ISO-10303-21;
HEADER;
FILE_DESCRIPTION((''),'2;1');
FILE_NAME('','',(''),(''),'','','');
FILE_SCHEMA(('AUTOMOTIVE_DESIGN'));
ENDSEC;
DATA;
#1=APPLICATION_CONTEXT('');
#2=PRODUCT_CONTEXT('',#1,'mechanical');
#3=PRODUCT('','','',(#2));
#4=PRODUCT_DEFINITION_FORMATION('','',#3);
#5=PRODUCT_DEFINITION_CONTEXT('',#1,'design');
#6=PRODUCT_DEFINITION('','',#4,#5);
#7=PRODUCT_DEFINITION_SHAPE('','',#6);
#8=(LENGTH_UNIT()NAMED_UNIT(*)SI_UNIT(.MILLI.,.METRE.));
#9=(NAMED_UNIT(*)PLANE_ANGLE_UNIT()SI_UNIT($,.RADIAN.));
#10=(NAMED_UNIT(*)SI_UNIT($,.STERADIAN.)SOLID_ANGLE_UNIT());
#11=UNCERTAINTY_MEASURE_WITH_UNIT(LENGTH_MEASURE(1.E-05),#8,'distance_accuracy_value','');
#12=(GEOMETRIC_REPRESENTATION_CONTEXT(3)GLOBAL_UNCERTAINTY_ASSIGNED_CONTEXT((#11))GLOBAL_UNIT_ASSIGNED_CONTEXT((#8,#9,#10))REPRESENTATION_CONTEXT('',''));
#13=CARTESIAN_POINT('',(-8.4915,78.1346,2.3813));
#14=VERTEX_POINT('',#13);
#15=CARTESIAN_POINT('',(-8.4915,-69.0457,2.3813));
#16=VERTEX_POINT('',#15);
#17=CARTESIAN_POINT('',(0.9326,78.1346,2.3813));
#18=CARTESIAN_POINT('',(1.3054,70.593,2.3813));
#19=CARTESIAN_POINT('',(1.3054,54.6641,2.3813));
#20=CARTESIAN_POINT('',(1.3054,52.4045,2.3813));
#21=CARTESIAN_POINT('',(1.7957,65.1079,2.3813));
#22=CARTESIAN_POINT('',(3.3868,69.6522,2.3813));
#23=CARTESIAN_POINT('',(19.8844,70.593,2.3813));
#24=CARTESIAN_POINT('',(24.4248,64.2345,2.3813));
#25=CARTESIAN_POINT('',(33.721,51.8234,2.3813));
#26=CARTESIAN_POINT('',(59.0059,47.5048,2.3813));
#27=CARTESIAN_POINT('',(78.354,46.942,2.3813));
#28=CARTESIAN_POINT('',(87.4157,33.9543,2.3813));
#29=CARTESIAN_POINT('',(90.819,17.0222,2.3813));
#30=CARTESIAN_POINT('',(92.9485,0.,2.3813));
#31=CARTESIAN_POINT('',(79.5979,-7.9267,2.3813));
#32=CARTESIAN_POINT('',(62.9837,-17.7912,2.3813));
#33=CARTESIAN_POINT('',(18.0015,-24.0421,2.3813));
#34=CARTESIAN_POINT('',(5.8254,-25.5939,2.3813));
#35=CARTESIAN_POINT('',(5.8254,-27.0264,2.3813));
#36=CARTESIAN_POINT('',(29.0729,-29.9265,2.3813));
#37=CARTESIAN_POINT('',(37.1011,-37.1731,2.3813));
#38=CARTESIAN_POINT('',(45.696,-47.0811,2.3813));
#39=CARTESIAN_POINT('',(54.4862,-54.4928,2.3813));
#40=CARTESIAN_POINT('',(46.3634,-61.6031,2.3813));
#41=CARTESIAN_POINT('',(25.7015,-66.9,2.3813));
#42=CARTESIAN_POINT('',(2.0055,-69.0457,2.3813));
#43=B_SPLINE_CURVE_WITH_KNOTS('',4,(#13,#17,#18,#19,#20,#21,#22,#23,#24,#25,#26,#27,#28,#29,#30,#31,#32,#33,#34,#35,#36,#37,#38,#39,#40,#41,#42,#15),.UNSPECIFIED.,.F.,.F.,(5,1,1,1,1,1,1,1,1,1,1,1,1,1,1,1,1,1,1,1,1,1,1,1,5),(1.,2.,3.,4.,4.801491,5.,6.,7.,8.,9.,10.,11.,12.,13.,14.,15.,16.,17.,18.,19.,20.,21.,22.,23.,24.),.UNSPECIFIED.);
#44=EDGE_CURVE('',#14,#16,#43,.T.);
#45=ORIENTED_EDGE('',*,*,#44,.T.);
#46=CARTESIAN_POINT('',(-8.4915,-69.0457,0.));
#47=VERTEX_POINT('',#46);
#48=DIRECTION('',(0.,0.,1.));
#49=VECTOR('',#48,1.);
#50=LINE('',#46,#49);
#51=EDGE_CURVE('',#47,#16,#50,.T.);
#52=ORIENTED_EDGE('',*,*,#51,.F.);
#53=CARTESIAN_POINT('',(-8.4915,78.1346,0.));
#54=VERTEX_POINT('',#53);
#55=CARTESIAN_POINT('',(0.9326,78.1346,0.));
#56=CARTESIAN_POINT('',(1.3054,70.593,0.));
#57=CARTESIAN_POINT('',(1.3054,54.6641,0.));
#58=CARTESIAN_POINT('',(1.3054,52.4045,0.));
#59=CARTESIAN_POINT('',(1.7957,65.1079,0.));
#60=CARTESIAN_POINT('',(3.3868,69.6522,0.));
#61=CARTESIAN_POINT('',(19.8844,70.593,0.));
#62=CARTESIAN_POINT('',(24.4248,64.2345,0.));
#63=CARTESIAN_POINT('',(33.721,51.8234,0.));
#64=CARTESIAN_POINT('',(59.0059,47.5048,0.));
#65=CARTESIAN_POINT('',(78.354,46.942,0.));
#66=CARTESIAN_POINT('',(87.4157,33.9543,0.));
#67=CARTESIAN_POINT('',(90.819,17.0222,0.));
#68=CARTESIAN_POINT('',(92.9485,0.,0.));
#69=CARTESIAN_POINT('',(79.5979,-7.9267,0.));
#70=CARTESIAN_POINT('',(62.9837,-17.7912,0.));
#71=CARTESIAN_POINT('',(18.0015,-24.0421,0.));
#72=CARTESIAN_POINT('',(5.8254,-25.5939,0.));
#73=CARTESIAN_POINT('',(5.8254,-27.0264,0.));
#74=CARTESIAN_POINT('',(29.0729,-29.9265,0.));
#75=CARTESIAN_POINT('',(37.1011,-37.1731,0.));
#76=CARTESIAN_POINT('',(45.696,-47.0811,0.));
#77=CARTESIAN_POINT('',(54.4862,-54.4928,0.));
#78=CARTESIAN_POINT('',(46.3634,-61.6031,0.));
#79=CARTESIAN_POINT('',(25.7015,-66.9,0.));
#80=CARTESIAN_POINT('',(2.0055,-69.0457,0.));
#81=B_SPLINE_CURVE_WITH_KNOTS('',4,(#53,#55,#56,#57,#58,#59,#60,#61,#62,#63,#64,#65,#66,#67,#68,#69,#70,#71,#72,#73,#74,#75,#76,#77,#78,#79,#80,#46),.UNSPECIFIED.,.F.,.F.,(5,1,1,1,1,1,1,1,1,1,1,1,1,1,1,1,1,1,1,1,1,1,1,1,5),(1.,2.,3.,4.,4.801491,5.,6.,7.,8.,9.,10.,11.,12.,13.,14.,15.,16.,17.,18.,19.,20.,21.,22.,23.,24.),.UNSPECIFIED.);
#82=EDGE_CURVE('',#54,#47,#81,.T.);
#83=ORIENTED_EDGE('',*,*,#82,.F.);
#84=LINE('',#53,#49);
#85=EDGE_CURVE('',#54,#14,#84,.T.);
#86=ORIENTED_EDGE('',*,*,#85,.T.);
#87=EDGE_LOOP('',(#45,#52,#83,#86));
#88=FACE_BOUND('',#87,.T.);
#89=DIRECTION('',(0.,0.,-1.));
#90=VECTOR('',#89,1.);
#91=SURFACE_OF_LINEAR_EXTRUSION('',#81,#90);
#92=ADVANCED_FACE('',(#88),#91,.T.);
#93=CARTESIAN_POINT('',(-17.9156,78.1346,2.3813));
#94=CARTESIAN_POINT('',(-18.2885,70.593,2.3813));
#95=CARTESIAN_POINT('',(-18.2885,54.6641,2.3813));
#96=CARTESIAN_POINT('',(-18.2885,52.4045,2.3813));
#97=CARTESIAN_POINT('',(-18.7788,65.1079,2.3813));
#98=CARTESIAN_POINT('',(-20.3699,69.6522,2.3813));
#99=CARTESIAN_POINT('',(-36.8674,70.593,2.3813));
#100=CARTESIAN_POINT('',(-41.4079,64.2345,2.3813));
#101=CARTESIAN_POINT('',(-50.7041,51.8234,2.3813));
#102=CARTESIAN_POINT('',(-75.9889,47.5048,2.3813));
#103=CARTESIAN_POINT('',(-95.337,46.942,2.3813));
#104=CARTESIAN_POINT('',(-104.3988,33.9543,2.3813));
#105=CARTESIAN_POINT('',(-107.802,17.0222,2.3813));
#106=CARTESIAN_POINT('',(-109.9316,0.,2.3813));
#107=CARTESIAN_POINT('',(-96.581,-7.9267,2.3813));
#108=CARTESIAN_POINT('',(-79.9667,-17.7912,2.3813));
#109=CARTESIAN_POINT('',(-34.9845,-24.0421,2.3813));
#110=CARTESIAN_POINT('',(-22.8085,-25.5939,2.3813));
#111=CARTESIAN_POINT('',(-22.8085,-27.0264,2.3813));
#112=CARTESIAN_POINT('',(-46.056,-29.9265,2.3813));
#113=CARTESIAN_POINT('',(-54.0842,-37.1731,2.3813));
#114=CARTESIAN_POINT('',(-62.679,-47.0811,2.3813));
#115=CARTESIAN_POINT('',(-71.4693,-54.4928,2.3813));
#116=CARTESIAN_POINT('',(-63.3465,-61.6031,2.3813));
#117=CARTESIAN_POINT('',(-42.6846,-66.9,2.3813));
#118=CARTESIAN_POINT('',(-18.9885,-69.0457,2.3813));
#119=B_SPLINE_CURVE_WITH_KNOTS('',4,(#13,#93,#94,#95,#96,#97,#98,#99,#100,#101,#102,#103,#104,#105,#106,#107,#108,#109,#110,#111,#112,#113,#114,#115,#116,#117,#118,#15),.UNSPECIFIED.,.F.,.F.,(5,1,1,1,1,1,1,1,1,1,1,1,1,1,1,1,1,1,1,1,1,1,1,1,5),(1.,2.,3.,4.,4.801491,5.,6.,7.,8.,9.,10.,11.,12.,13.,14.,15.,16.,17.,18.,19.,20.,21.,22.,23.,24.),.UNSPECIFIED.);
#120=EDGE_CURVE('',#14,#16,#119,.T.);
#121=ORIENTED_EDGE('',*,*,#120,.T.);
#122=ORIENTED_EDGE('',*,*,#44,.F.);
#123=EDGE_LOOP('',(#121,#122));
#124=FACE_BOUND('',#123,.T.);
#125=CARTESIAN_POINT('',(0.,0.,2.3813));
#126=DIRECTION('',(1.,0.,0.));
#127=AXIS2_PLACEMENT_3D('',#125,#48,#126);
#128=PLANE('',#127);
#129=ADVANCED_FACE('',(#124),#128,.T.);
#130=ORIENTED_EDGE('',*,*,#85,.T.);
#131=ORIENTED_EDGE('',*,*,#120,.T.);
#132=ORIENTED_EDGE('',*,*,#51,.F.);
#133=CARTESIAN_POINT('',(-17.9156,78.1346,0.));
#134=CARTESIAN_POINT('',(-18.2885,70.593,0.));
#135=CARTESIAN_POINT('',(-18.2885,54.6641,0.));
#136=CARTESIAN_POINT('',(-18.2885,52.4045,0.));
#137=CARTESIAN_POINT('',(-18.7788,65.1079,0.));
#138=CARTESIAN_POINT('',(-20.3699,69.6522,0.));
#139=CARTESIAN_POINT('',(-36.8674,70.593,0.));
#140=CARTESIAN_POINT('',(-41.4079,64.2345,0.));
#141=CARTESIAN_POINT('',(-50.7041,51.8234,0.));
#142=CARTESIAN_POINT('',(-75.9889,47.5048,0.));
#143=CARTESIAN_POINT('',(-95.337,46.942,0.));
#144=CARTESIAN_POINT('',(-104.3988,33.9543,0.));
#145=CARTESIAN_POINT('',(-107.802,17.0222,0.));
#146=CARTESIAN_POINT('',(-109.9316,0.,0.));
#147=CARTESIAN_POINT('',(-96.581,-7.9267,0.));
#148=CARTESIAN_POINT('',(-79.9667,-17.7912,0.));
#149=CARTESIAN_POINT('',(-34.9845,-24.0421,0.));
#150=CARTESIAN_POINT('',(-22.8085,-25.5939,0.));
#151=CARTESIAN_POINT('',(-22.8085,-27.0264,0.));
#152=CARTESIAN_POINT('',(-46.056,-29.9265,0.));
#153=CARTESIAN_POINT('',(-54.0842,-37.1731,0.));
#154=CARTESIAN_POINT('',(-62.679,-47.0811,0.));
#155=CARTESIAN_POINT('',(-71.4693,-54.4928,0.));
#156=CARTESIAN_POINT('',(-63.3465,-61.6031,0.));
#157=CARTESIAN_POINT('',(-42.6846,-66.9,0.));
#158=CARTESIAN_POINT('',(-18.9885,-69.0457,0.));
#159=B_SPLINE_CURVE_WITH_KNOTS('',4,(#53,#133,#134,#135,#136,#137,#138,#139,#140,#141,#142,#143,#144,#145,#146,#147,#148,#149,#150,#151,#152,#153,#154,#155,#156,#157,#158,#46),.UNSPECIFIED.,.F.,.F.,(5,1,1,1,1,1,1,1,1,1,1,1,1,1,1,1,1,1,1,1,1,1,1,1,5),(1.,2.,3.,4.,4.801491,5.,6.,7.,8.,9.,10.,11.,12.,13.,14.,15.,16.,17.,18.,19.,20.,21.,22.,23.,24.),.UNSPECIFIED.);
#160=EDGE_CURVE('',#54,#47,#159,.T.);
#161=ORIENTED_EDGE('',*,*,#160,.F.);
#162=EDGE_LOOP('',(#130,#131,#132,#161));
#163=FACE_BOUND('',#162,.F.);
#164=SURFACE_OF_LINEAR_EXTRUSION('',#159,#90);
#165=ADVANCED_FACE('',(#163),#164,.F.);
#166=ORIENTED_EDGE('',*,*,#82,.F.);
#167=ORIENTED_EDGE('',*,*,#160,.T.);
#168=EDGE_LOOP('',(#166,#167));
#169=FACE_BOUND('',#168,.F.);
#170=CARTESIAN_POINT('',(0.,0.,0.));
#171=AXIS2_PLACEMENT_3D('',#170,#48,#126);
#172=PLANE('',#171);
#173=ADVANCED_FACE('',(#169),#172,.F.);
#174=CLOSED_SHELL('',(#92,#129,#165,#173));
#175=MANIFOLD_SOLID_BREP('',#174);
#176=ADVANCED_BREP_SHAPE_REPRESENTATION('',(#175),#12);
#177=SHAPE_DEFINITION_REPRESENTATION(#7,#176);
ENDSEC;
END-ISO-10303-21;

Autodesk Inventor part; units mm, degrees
ref_plane "YZ Plane" through (0, 0, 0) normal (1, 0, 0) x (0, 1, 0)
ref_plane "XZ Plane" through (0, 0, 0) normal (0, 1, 0) x (-1, 0, 0)
ref_plane "XY Plane" through (0, 0, 0) normal (0, 0, 1) x (1, 0, 0)
sketch "Sketch1" plane through (0, 0, 0) normal (0, 0, 1) x (1, 0, 0)
  line L0 (-8.4915, 78.1346) -> (0.9326, 78.1346) construction
  line L1 (0.9326, 78.1346) -> (1.3054, 70.593) construction
  line L2 (1.3054, 70.593) -> (1.3054, 54.6641) construction
  line L3 (1.3054, 54.6641) -> (1.3054, 52.4045) construction
  line L4 (19.8844, 70.593) -> (24.4248, 64.2345) construction
  line L5 (24.4248, 64.2345) -> (33.721, 51.8234) construction
  line L6 (33.721, 51.8234) -> (59.0059, 47.5048) construction
  line L7 (59.0059, 47.5048) -> (78.354, 46.942) construction
  line L8 (78.354, 46.942) -> (87.4157, 33.9543) construction
  line L9 (87.4157, 33.9543) -> (90.819, 17.0222) construction
  line L10 (90.819, 17.0222) -> (92.9485, 0) construction
  line L11 (92.9485, 0) -> (79.5979, -7.9267) construction
  line L12 (79.5979, -7.9267) -> (62.9837, -17.7912) construction
  line L13 (62.9837, -17.7912) -> (18.0015, -24.0421) construction
  line L14 (18.0015, -24.0421) -> (5.8254, -25.5939) construction
  line L15 (5.8254, -25.5939) -> (5.8254, -27.0264) construction
  line L16 (5.8254, -27.0264) -> (29.0729, -29.9265) construction
  line L17 (29.0729, -29.9265) -> (37.1011, -37.1731) construction
  line L18 (37.1011, -37.1731) -> (45.696, -47.0811) construction
  line L19 (45.696, -47.0811) -> (54.4862, -54.4928) construction
  line L20 (54.4862, -54.4928) -> (46.3634, -61.6031) construction
  line L21 (46.3634, -61.6031) -> (25.7015, -66.9) construction
  line L22 (25.7015, -66.9) -> (2.0055, -69.0457) construction
  line L23 (2.0055, -69.0457) -> (-8.4915, -69.0457) construction
  spline S0 degree 4 poles (-8.4915, 78.1346) (0.9326, 78.1346) (1.3054, 70.593) (1.3054, 54.6641) (1.3054, 52.4045) (1.7957, 65.1079) (3.3868, 69.6522) (19.8844, 70.593) (24.4248, 64.2345) (33.721, 51.8234) (59.0059, 47.5048) (78.354, 46.942) (87.4157, 33.9543) (90.819, 17.0222) (92.9485, 0) (79.5979, -7.9267) (62.9837, -17.7912) (18.0015, -24.0421) (5.8254, -25.5939) (5.8254, -27.0264) (29.0729, -29.9265) (37.1011, -37.1731) (45.696, -47.0811) (54.4862, -54.4928) (46.3634, -61.6031) (25.7015, -66.9) (2.0055, -69.0457) (-8.4915, -69.0457) knots 1 1 1 1 1 2 3 4 4.801491 5 6 7 8 9 10 11 12 13 14 15 16 17 18 19 20 21 22 23 24 24 24 24 24
  line L24 (1.3054, 52.4045) -> (1.7957, 65.1079) construction
  line L25 (1.7957, 65.1079) -> (3.3868, 69.6522) construction
  line L26 (3.3868, 69.6522) -> (19.8844, 70.593) construction
  line L27 (-8.4915, 78.1346) -> (-8.4915, -69.0457)
  line L28 (-8.4915, 78.1346) -> (-17.9156, 78.1346) construction
  line L29 (-17.9156, 78.1346) -> (-18.2885, 70.593) construction
  line L30 (-18.2885, 70.593) -> (-18.2885, 54.6641) construction
  line L31 (-18.2885, 54.6641) -> (-18.2885, 52.4045) construction
  line L32 (-36.8674, 70.593) -> (-41.4079, 64.2345) construction
  line L33 (-41.4079, 64.2345) -> (-50.7041, 51.8234) construction
  line L34 (-50.7041, 51.8234) -> (-75.9889, 47.5048) construction
  line L35 (-75.9889, 47.5048) -> (-95.337, 46.942) construction
  line L36 (-95.337, 46.942) -> (-104.3988, 33.9543) construction
  line L37 (-104.3988, 33.9543) -> (-107.802, 17.0222) construction
  line L38 (-107.802, 17.0222) -> (-109.9316, 0) construction
  line L39 (-109.9316, 0) -> (-96.581, -7.9267) construction
  line L40 (-96.581, -7.9267) -> (-79.9667, -17.7912) construction
  line L41 (-79.9667, -17.7912) -> (-34.9845, -24.0421) construction
  line L42 (-34.9845, -24.0421) -> (-22.8085, -25.5939) construction
  line L43 (-22.8085, -25.5939) -> (-22.8085, -27.0264) construction
  line L44 (-22.8085, -27.0264) -> (-46.056, -29.9265) construction
  line L45 (-46.056, -29.9265) -> (-54.0842, -37.1731) construction
  line L46 (-54.0842, -37.1731) -> (-62.679, -47.0811) construction
  line L47 (-62.679, -47.0811) -> (-71.4693, -54.4928) construction
  line L48 (-71.4693, -54.4928) -> (-63.3465, -61.6031) construction
  line L49 (-63.3465, -61.6031) -> (-42.6846, -66.9) construction
  line L50 (-42.6846, -66.9) -> (-18.9885, -69.0457) construction
  line L51 (-18.9885, -69.0457) -> (-8.4915, -69.0457) construction
  spline S1 degree 4 poles (-8.4915, 78.1346) (-17.9156, 78.1346) (-18.2885, 70.593) (-18.2885, 54.6641) (-18.2885, 52.4045) (-18.7788, 65.1079) (-20.3699, 69.6522) (-36.8674, 70.593) (-41.4079, 64.2345) (-50.7041, 51.8234) (-75.9889, 47.5048) (-95.337, 46.942) (-104.3988, 33.9543) (-107.802, 17.0222) (-109.9316, 0) (-96.581, -7.9267) (-79.9667, -17.7912) (-34.9845, -24.0421) (-22.8085, -25.5939) (-22.8085, -27.0264) (-46.056, -29.9265) (-54.0842, -37.1731) (-62.679, -47.0811) (-71.4693, -54.4928) (-63.3465, -61.6031) (-42.6846, -66.9) (-18.9885, -69.0457) (-8.4915, -69.0457) knots 1 1 1 1 1 2 3 4 4.801491 5 6 7 8 9 10 11 12 13 14 15 16 17 18 19 20 21 22 23 24 24 24 24 24
  line L52 (-18.2885, 52.4045) -> (-18.7788, 65.1079) construction
  line L53 (-18.7788, 65.1079) -> (-20.3699, 69.6522) construction
  line L54 (-20.3699, 69.6522) -> (-36.8674, 70.593) construction
  point P0 (0, 0)
extrude "Extrusion1" add sketch "Sketch1" along normal blind 2.3813
properties part number "rubberFlatPatternSheetMetal"
